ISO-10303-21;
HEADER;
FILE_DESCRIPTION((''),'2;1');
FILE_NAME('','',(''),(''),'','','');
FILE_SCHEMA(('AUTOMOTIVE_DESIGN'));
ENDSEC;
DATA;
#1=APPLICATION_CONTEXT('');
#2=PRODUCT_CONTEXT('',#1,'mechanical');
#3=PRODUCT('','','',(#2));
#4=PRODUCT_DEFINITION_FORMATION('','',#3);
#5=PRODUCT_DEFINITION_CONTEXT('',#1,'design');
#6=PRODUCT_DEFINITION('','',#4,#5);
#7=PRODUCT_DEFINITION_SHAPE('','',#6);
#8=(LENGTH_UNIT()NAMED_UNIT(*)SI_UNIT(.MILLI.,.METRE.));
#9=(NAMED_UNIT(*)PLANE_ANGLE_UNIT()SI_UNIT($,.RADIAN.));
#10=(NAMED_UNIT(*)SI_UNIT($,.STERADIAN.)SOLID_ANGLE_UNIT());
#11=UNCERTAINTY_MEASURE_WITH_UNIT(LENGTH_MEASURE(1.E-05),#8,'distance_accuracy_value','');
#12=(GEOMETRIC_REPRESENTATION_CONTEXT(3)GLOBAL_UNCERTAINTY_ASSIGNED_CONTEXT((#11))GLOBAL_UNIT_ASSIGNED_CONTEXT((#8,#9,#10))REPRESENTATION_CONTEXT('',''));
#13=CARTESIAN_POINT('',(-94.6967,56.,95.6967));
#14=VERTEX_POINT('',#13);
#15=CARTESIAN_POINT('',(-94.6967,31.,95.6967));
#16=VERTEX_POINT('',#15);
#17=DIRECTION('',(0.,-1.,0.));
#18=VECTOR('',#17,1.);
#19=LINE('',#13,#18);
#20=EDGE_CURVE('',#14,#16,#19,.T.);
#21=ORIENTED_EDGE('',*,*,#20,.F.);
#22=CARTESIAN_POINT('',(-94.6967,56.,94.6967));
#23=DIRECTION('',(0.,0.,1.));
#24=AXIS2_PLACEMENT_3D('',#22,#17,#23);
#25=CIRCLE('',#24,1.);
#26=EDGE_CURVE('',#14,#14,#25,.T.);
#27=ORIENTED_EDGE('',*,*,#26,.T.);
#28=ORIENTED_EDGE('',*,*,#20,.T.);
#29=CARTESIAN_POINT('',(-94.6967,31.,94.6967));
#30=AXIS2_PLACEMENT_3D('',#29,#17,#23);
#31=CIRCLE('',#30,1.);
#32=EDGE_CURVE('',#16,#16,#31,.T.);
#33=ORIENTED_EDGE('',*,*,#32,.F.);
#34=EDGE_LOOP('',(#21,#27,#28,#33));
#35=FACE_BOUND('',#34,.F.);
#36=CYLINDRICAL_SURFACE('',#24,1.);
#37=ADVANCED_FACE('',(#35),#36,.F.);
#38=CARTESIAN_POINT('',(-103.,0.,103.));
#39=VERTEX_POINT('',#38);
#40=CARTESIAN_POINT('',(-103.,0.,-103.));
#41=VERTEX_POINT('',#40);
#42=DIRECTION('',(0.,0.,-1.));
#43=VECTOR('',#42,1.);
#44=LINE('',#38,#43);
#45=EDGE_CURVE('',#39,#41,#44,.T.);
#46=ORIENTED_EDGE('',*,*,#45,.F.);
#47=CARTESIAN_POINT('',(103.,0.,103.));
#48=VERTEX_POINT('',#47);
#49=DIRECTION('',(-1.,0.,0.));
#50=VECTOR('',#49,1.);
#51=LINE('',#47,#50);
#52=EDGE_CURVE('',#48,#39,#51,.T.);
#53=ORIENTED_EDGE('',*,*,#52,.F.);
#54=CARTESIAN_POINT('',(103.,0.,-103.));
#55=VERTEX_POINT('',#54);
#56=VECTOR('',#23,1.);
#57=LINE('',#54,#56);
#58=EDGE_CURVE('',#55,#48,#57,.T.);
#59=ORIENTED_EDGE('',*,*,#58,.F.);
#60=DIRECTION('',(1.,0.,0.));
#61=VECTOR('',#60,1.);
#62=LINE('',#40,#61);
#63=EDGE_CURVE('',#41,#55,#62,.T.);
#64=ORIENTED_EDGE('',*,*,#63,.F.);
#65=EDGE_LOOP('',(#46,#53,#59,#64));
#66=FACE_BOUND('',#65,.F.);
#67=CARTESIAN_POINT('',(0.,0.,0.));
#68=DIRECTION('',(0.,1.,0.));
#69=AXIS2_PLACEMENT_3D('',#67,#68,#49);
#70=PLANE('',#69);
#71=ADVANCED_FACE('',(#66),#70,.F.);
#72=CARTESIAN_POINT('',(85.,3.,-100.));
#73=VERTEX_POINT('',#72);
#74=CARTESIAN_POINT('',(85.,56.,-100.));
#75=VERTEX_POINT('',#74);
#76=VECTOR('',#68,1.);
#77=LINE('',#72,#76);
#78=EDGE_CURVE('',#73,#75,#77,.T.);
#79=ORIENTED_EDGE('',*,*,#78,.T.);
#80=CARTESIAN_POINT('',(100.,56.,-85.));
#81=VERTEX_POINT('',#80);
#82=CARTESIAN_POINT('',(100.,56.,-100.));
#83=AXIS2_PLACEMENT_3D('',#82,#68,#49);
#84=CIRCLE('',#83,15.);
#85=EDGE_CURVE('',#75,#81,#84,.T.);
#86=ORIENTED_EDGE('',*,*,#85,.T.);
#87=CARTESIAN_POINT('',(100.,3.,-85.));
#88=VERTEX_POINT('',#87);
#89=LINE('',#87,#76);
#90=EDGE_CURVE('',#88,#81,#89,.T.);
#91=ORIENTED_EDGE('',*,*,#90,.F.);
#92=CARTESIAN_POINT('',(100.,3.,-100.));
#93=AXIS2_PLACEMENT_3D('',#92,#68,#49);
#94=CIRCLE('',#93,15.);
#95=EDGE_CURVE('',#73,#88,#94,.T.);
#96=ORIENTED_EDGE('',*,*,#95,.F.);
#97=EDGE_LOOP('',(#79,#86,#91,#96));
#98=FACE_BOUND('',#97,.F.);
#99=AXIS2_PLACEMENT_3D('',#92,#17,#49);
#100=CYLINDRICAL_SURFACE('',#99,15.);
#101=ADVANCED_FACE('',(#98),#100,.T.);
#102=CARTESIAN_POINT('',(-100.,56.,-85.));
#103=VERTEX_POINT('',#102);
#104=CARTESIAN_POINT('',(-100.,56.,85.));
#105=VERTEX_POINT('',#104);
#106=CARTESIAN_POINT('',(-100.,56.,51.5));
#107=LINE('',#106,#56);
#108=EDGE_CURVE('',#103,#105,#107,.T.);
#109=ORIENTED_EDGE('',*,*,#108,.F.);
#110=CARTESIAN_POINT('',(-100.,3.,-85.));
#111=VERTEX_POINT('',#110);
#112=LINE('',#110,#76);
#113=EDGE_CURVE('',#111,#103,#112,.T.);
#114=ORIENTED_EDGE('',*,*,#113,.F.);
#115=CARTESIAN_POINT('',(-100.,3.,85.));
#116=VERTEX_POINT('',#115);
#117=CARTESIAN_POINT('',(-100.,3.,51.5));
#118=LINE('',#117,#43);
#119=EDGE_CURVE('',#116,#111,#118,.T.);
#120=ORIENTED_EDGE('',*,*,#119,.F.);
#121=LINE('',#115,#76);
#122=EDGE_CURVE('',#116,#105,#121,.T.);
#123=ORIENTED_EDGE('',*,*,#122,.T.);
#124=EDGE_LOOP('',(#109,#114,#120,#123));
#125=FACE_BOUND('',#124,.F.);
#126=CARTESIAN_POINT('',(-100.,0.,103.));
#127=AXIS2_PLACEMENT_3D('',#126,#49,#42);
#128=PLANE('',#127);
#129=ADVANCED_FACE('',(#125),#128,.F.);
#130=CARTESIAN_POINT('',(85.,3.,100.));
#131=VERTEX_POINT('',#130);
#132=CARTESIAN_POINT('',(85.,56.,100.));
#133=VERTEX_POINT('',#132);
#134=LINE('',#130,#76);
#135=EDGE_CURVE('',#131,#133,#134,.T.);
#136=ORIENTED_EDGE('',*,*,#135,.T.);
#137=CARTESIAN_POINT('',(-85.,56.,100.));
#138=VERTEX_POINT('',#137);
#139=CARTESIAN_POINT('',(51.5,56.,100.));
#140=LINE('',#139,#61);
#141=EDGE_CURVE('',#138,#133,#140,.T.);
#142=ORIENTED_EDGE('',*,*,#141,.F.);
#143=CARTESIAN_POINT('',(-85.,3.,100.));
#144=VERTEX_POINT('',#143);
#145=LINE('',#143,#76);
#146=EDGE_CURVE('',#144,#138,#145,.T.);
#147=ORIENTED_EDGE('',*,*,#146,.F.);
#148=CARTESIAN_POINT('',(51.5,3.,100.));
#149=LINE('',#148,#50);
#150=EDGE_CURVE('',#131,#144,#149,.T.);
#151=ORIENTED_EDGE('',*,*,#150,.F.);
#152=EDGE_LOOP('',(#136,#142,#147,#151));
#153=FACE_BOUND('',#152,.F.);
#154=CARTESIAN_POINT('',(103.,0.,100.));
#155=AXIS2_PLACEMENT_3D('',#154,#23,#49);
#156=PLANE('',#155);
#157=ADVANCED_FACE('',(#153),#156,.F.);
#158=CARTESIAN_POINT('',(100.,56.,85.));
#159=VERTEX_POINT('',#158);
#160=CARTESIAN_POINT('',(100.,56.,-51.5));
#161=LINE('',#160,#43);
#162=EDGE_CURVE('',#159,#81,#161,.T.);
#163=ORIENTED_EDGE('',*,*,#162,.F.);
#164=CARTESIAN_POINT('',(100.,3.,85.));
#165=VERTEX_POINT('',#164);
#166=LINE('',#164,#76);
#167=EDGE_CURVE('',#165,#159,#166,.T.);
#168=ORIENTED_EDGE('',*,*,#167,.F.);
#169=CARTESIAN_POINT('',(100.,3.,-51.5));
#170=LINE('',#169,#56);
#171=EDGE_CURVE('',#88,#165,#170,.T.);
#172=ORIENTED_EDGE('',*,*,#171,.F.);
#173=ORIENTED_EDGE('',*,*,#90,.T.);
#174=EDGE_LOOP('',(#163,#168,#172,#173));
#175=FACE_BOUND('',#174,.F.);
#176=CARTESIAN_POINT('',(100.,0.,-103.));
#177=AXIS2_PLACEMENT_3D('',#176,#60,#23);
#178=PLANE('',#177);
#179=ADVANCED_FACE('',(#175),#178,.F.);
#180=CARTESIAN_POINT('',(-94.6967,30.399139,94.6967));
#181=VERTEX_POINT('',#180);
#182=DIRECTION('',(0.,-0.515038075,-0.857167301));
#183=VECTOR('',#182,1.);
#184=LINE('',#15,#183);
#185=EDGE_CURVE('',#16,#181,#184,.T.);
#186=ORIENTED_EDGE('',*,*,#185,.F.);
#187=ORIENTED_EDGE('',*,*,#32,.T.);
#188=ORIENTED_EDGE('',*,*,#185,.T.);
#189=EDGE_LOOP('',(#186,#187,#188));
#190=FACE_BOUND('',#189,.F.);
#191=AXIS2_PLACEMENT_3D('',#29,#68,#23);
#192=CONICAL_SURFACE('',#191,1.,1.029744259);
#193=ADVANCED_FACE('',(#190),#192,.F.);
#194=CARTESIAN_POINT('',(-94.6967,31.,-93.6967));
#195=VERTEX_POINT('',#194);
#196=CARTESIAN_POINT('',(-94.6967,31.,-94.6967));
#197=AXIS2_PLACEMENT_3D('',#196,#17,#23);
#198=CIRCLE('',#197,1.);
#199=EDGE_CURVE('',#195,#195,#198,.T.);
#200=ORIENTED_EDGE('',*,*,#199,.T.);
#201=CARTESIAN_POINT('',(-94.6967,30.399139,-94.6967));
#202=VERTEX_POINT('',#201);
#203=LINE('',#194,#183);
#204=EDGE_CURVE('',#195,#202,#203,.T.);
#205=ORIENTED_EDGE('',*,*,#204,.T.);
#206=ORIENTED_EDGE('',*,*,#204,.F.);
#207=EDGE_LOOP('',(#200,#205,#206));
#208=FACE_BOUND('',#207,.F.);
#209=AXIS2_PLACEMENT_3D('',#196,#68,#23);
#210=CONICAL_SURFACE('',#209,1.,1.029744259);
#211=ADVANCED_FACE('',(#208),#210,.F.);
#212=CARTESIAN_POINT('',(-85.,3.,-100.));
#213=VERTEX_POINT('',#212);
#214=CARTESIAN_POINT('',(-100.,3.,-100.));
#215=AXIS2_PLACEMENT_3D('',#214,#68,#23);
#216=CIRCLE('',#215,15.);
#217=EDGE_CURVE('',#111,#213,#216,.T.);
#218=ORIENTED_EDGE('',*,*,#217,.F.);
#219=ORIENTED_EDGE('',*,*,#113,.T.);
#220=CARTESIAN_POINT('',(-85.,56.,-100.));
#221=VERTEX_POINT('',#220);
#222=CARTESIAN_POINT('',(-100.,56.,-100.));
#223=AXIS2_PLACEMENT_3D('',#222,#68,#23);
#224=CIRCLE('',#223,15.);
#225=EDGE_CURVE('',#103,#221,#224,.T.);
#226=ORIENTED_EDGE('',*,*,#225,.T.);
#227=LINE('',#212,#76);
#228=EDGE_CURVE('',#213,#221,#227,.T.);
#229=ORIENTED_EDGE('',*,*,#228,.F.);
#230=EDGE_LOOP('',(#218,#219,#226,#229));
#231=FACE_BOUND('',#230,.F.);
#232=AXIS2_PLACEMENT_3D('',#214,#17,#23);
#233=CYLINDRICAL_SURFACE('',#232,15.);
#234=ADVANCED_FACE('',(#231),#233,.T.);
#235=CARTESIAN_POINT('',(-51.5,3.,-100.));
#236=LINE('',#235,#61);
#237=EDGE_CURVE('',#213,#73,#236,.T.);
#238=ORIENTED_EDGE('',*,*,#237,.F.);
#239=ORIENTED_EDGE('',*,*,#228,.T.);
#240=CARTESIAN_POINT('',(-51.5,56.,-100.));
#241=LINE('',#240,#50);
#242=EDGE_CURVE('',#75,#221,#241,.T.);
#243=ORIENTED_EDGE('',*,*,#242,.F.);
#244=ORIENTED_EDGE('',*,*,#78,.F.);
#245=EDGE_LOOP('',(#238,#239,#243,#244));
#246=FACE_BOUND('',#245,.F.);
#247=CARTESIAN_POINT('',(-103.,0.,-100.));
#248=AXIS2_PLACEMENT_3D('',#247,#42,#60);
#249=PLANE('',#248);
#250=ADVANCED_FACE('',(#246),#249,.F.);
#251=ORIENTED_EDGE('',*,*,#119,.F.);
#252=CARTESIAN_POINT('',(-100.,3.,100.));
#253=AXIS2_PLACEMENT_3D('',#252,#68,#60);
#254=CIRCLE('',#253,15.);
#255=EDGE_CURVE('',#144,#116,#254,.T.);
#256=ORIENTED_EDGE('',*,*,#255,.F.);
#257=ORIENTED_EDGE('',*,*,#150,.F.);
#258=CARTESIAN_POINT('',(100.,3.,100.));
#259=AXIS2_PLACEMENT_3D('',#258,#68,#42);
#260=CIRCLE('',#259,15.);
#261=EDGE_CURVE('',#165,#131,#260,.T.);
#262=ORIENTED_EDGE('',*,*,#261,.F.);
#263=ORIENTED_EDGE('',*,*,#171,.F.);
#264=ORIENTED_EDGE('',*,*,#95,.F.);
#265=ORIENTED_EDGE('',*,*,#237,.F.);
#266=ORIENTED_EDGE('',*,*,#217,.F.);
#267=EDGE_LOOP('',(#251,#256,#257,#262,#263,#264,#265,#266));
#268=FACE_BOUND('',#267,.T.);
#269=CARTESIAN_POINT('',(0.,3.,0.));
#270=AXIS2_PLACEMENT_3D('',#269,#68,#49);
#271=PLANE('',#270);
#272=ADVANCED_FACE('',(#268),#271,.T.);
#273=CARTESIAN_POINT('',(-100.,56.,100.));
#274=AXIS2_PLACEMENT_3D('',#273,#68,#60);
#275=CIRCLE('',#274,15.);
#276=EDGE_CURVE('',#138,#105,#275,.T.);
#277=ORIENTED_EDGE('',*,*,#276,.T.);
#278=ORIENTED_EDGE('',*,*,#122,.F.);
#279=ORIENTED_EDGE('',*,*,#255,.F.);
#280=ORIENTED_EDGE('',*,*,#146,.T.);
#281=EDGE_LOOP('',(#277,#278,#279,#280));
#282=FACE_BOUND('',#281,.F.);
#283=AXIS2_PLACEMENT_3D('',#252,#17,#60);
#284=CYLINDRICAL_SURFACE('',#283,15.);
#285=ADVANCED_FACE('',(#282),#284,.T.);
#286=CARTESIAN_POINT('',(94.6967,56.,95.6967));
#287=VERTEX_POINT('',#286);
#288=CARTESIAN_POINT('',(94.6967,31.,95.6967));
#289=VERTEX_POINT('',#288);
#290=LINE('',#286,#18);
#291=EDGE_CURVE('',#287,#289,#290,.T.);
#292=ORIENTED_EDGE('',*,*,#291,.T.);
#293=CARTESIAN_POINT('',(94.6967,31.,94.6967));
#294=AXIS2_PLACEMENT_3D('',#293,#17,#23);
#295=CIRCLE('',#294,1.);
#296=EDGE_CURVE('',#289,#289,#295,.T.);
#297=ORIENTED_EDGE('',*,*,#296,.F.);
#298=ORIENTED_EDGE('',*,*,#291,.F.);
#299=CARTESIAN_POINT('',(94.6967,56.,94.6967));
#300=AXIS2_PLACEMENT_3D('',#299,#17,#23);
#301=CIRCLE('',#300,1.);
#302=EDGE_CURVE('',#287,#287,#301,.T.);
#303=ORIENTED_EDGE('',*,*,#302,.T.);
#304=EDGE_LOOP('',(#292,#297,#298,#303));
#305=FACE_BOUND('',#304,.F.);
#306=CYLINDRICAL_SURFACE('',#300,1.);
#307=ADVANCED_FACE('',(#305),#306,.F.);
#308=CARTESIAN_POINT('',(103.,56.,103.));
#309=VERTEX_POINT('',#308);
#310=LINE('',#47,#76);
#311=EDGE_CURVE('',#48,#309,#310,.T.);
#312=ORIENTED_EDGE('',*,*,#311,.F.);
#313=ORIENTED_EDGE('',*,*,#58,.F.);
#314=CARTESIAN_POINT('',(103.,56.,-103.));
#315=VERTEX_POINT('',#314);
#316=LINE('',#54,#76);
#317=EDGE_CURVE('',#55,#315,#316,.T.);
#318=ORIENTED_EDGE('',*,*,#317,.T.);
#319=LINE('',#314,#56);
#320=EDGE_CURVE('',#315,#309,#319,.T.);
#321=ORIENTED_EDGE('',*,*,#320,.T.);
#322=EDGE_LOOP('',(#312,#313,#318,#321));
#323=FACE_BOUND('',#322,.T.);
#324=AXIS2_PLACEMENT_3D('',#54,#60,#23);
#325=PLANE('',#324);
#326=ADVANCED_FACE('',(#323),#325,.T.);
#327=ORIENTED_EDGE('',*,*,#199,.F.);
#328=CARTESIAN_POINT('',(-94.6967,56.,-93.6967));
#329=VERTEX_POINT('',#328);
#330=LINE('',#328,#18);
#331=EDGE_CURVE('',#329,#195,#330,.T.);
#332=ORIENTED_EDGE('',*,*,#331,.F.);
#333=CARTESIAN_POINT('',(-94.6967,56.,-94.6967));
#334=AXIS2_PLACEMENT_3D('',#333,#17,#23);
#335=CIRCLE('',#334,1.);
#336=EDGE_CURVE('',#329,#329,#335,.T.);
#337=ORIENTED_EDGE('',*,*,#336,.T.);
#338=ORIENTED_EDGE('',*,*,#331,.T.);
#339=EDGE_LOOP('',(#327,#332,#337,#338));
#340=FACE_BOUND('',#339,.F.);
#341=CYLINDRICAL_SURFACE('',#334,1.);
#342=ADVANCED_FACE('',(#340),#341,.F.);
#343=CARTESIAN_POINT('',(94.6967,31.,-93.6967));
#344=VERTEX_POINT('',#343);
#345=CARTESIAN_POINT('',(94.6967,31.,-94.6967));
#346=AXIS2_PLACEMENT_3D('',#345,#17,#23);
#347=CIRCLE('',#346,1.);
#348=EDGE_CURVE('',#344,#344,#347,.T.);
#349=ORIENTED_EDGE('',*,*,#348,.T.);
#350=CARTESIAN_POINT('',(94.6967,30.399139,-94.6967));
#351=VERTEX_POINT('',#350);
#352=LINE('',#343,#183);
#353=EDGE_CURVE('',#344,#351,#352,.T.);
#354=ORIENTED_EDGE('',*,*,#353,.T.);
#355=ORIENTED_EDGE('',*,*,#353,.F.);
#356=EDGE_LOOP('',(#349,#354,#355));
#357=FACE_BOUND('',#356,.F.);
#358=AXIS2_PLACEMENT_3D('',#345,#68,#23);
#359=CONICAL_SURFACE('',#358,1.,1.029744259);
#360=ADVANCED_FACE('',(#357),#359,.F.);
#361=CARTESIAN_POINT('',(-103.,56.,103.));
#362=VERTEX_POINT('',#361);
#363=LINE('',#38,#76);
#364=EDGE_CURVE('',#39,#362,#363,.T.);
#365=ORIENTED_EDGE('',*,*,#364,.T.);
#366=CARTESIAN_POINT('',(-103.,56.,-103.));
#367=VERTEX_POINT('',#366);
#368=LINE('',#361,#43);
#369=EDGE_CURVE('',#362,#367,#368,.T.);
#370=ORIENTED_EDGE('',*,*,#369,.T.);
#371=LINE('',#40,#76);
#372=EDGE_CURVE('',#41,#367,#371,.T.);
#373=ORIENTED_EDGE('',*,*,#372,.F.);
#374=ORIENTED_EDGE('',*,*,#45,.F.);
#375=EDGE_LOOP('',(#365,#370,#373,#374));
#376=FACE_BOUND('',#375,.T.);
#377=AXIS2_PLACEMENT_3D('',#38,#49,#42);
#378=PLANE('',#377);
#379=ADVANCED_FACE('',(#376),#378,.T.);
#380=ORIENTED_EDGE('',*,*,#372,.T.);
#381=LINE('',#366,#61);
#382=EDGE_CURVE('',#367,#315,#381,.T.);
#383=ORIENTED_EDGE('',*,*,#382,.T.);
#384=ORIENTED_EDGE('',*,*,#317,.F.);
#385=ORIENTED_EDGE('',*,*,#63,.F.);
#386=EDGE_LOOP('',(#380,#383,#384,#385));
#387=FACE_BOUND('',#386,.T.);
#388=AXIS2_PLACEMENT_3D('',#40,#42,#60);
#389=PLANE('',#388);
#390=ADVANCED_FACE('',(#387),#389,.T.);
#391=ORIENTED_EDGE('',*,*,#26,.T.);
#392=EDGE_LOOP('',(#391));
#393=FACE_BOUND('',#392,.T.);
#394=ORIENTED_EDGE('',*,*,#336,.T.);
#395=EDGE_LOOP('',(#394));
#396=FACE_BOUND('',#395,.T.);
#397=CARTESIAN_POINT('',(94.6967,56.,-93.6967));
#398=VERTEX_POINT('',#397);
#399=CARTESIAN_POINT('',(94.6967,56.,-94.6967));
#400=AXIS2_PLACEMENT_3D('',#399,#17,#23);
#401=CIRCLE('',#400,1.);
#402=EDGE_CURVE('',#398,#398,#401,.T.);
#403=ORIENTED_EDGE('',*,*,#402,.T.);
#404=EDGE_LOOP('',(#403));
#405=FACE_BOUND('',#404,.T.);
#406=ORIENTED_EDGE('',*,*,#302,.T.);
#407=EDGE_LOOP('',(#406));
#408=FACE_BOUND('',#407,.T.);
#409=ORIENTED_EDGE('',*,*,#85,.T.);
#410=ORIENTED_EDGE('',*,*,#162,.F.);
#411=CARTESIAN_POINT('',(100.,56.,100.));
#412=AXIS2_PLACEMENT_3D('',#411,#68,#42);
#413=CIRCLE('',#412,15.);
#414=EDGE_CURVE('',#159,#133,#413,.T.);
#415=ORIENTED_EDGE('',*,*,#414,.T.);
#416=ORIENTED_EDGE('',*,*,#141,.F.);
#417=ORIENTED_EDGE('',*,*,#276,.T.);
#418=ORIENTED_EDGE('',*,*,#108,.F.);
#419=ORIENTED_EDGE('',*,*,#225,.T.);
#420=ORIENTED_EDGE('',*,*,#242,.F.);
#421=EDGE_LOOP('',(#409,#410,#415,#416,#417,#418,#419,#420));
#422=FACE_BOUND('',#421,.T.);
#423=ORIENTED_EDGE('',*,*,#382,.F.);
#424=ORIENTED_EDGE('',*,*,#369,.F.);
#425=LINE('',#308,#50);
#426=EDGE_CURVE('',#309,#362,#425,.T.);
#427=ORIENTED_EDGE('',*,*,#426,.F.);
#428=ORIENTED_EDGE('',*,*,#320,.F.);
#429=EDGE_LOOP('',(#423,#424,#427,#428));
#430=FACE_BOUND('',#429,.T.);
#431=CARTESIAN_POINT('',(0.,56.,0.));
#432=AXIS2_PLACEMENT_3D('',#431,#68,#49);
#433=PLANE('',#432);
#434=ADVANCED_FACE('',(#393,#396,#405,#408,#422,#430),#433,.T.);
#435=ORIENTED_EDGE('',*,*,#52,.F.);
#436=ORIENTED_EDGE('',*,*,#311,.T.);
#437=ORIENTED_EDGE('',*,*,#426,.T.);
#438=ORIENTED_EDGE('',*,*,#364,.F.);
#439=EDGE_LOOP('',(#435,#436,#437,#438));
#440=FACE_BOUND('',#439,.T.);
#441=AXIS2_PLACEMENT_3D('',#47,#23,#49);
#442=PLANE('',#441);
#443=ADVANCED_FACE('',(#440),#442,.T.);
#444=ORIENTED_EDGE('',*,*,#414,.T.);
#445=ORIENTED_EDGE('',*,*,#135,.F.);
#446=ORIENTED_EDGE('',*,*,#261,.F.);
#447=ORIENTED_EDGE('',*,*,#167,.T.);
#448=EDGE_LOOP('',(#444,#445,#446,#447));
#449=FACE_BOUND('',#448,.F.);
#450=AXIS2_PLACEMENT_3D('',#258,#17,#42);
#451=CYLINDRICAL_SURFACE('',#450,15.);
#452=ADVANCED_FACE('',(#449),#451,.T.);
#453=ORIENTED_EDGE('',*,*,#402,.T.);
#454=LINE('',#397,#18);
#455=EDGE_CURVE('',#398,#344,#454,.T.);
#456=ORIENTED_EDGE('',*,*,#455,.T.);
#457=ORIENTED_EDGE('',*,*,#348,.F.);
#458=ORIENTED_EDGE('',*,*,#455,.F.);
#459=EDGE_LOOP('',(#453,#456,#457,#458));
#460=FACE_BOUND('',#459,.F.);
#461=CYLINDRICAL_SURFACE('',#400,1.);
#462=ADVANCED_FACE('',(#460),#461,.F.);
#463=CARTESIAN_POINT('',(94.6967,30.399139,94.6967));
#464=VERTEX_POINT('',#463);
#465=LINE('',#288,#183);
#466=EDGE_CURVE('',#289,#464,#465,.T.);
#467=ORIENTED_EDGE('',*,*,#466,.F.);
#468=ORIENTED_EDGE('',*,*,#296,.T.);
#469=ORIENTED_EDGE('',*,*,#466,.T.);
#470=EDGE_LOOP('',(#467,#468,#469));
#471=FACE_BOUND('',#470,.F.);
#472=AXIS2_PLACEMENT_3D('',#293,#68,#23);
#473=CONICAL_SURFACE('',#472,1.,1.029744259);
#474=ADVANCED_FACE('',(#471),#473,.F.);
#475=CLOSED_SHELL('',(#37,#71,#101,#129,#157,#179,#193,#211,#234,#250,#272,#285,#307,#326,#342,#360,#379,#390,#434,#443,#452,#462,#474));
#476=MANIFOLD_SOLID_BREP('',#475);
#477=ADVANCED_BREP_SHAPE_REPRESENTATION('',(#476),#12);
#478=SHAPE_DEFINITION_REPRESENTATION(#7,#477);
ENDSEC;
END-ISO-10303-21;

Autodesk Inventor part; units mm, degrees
ref_plane "YZ Plane" through (0, 0, 0) normal (1, 0, 0) x (0, 1, 0)
ref_plane "XZ Plane" through (0, 0, 0) normal (0, 1, 0) x (-1, 0, 0)
ref_plane "XY Plane" through (0, 0, 0) normal (0, 0, 1) x (1, 0, 0)
sketch "Boceto1" plane through (0, 0, 0) normal (0, 1, 0) x (-1, 0, 0)
  line L0 (-103, 103) -> (103, 103)
  line L1 (103, 103) -> (103, -103)
  line L2 (103, -103) -> (-103, -103)
  line L3 (-103, -103) -> (-103, 103)
  line L4 (-103, 103) -> (103, -103) construction
  line L5 (103, 103) -> (-103, -103) construction
  point P0 (0, 0)
  dimension "d0" = 206
  dimension "d1" = 206
extrude "Extrusión1" add sketch "Boceto1" along normal blind 56
shell "Vaciado1" thickness 3 removed faces 1 at (34.3333, 56, 34.3333)
sketch "Boceto2" plane through (-100, 3, -100) normal (0, 1, 0) x (1, 0, 0)
  line L0 (200, 0) -> (0, 0) projected
  arc A0 (0, -15) -> (15, 0) centre (0, 0) ccw
  line L1 (200, -200) -> (200, 0) projected
  arc A1 (185, 0) -> (200, -15) centre (200, 0) ccw
  line L2 (200, -200) -> (0, -200) projected
  arc A2 (200, -185) -> (185, -200) centre (200, -200) ccw
  line L3 (0, -200) -> (0, 0) projected
  arc A3 (15, -200) -> (0, -185) centre (0, -200) ccw
  line L4 (0, 0) -> (15, 0)
  line L5 (0, 0) -> (0, -15)
  line L6 (200, 0) -> (200, -15)
  line L7 (200, 0) -> (185, 0)
  line L8 (200, -200) -> (200, -185)
  line L9 (200, -200) -> (185, -200)
  line L10 (0, -200) -> (0, -185)
  line L11 (0, -200) -> (15, -200)
  point P0 (100, -100)
  dimension "d5" = 30
  dimension "d6" = 30
  dimension "d7" = 30
  dimension "d8" = 30
extrude "Extrusión2" add sketch "Boceto2" along normal blind 53 contours L1 A1 L0 | A0 L3 L0 | L1 L2 A2 | A3 L2 L3
sketch "Boceto3" plane through (0, 56, 0) normal (0, 1, 0) x (1, 0, 0)
  line L0 (85, 100) -> (103, 100)
  line L1 (103, -103) -> (103, 103) projected
  line L2 (100, -85) -> (100, 85) projected
  line L3 (100, 85) -> (100, 100)
  line L4 (100, 100) -> (116.202, 100) construction
  arc A0 (85, 100) -> (100, 85) centre (100, 100) ccw projected
  line L5 (89.3934, 89.3934) -> (89.3934, 100)
  line L6 (89.3934, 89.3934) -> (100, 89.3934)
  line L7 (89.3934, 100) -> (100, 89.3934)
  line L8 (89.3934, 89.3934) -> (100, 100)
  circle A1 centre (94.6967, 94.6967) radius 1
  circle A2 centre (-94.6967, 94.6967) radius 1
  circle A3 centre (-94.6967, -94.6967) radius 1
  circle A4 centre (94.6967, -94.6967) radius 1
  point P0 (0, 0)
  dimension "d12" = 2
  dimension "d15" = 360
hole "Agujero1" at (-94.6967, 56, -94.6967) at (-94.6967, 56, 94.6967) at (94.6967, 56, 94.6967) at (94.6967, 56, -94.6967) direction (0, -1, 0) diameter 2 depth 25 tip angle 118
properties part number "caja_cuboLed"
